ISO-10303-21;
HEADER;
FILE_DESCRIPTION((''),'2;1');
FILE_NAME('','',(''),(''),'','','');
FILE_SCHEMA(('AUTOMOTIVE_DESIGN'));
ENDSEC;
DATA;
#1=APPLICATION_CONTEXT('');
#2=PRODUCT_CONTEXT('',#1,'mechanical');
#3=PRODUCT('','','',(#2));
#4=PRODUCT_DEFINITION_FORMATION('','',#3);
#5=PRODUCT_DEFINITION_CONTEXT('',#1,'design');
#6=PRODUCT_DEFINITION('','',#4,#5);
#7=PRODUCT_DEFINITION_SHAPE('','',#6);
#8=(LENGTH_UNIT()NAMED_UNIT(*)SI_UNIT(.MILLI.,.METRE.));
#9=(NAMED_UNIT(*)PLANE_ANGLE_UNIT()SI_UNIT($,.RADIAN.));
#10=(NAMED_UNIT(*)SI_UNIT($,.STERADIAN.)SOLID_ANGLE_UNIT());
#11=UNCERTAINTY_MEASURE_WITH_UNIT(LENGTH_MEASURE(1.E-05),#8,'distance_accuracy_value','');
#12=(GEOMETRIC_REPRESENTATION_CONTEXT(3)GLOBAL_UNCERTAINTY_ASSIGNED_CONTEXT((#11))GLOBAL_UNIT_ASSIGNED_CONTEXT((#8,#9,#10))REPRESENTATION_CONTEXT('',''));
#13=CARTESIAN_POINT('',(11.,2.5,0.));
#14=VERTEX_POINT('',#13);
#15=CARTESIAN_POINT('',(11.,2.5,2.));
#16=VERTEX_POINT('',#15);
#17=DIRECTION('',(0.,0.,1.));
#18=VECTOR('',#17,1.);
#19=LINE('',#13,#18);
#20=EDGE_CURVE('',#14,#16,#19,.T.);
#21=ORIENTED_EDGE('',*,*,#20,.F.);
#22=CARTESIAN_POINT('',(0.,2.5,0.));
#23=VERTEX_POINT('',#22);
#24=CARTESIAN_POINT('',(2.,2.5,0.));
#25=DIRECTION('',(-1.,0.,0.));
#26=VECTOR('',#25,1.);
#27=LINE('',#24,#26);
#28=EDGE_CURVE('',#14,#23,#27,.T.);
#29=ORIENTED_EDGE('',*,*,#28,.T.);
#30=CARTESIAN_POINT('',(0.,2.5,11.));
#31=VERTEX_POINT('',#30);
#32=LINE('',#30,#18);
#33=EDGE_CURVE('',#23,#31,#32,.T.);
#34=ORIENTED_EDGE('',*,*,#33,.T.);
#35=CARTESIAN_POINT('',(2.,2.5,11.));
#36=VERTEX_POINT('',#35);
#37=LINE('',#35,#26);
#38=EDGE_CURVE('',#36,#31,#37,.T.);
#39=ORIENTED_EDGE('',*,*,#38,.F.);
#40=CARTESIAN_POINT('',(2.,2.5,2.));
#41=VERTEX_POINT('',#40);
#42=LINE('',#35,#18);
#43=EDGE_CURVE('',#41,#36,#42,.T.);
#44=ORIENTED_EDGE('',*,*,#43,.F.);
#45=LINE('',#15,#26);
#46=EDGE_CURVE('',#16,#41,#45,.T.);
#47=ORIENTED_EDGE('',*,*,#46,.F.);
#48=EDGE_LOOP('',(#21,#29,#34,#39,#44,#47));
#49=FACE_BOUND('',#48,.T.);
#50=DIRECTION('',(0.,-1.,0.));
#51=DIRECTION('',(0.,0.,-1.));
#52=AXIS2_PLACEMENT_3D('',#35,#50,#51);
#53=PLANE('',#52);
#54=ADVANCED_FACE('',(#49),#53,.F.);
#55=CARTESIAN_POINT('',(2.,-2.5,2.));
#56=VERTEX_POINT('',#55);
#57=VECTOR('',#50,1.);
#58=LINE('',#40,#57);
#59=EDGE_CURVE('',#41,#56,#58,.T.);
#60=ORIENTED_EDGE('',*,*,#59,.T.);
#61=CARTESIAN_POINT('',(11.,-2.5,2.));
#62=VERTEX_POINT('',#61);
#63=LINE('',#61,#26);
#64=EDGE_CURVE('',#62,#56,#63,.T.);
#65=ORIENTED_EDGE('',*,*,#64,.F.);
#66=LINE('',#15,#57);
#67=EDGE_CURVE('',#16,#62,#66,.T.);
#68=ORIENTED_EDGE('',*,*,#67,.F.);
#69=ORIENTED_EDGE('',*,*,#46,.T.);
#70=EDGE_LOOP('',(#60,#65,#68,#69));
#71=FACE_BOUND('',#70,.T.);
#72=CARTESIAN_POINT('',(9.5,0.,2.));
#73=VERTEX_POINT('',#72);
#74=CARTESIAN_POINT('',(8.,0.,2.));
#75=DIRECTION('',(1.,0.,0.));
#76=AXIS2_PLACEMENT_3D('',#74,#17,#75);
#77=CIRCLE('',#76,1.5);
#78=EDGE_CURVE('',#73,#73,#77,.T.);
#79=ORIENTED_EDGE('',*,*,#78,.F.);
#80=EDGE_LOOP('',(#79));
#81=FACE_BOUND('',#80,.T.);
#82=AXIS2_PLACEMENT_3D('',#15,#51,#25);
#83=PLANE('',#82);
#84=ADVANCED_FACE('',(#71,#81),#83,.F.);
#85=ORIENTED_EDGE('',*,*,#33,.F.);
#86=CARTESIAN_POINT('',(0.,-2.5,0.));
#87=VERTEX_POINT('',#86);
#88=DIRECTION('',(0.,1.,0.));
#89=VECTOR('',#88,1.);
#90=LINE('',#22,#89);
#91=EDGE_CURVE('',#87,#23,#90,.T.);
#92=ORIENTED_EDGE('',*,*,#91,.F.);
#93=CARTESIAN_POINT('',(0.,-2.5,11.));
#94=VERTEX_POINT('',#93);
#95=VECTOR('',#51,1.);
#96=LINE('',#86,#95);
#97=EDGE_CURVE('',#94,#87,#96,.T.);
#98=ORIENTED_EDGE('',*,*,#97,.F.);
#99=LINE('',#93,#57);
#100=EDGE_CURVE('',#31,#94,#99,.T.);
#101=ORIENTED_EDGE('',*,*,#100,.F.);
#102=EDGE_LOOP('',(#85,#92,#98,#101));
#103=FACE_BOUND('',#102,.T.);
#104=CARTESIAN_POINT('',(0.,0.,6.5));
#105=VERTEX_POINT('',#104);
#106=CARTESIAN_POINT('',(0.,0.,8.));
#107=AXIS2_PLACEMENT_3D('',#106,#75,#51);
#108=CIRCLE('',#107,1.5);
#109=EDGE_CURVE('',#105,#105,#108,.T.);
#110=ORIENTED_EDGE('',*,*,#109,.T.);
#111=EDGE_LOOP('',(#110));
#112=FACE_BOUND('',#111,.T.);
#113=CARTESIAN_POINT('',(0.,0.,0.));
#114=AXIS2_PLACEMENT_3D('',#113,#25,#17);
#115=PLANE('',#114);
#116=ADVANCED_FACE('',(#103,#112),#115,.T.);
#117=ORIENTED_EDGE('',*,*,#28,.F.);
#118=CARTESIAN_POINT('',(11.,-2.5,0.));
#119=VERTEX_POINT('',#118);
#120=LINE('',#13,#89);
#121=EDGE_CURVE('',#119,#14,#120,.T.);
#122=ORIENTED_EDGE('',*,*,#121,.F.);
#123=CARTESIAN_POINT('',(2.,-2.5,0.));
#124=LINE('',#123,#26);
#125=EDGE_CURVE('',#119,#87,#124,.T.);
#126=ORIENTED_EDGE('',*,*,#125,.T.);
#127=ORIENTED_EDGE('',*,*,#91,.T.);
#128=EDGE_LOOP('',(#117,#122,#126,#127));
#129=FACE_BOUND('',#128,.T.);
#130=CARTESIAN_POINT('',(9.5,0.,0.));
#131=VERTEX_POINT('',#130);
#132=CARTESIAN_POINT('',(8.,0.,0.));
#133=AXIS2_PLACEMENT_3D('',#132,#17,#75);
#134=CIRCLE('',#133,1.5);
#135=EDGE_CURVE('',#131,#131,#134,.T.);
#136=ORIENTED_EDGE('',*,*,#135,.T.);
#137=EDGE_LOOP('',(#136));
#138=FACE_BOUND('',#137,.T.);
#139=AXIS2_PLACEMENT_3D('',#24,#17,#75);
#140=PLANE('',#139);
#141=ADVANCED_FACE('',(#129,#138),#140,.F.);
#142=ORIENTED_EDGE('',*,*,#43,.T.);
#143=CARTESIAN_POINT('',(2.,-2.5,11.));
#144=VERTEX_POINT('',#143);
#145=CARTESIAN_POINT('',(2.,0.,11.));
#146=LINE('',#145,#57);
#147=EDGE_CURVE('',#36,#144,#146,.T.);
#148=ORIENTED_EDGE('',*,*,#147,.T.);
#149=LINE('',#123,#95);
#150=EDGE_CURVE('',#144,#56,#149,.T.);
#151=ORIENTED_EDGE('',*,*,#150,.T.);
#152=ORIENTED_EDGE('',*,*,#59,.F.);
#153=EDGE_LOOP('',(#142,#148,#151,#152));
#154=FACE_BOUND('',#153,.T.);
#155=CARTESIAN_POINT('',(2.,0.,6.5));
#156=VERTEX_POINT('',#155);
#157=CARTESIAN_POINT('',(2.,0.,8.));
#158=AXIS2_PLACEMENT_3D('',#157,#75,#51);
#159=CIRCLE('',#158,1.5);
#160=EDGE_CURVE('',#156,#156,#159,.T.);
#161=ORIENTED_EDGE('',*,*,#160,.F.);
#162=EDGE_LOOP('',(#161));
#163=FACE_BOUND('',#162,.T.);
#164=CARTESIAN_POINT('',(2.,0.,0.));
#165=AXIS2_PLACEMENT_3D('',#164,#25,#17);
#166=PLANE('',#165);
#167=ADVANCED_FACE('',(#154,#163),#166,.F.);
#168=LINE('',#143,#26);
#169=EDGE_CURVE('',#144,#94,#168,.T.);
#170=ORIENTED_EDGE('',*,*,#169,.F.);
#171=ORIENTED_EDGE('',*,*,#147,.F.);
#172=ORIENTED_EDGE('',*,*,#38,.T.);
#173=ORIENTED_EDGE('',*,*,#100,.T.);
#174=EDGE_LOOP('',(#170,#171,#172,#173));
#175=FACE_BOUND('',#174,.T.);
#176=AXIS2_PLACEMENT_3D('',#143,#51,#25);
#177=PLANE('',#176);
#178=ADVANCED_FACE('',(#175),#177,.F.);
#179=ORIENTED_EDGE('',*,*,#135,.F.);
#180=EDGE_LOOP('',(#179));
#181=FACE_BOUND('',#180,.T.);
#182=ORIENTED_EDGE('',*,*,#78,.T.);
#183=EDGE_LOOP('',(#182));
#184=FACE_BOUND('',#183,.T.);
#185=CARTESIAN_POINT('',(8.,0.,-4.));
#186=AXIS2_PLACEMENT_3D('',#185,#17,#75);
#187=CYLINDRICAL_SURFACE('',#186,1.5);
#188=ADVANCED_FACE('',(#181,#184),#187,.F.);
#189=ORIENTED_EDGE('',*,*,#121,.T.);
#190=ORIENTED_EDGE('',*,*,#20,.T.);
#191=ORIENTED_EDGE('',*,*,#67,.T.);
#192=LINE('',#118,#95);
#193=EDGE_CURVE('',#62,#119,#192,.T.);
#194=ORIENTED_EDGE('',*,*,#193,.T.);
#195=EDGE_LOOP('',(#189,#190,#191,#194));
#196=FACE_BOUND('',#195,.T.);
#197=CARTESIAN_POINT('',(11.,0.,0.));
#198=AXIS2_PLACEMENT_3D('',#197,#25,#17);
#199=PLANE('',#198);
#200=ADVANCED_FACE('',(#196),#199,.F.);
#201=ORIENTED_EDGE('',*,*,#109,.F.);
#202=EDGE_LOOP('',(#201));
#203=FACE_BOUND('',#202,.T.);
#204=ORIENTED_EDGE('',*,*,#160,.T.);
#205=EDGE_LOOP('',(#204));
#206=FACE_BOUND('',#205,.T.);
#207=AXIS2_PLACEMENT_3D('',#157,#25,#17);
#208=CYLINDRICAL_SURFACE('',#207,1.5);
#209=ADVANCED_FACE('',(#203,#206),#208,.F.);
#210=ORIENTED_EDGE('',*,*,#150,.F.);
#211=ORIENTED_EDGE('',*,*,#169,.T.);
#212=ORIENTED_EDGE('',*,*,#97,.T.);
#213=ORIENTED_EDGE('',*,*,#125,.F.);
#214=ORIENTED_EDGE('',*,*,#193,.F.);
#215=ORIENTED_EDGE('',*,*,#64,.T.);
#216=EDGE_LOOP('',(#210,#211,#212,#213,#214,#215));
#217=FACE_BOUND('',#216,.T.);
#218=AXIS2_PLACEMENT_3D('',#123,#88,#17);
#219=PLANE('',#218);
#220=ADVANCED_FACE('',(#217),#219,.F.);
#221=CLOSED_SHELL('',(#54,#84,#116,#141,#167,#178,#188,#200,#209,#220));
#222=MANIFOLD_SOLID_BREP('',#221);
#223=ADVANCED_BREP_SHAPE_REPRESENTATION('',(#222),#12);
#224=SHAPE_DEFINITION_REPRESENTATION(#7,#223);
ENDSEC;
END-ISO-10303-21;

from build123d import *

# Parameters (mm, degrees)
SKETCH_1_R          = 1.5
EXTRUDE_1_DEPTH     = 2
SKETCH_2_W          = 2
SKETCH_2_H          = 5
EXTRUDE_2_DEPTH     = 9
SKETCH_3_R          = 1.5
CUT_EXTRUDE_1_DEPTH = 6


with BuildPart() as part:
    # 草图1 → 凸台-拉伸1 (new body)
    with BuildSketch(Plane(origin=(0, 0, 0), x_dir=(0, 0, -1), z_dir=(1, 0, 0))):
        Polygon((-11, 0), (-11, 2.5), (0, 2.5), (0, 0), (0, -2.5), (-11, -2.5), align=None)
        with Locations((-8, 0)):
            Circle(SKETCH_1_R, mode=Mode.SUBTRACT)
    extrude(amount=EXTRUDE_1_DEPTH)

    # 草图2 → 凸台-拉伸2 (add)
    with BuildSketch(Plane(origin=(2, 0, 0), x_dir=(0, 0, -1), z_dir=(1, 0, 0))):
        with Locations((-1, 0)):
            Rectangle(SKETCH_2_W, SKETCH_2_H)
    extrude(amount=EXTRUDE_2_DEPTH)

    # 草图3 → 切除-拉伸1 (cut)
    with BuildSketch(Plane.XY.offset(2)):
        with Locations((8, 0)):
            Circle(SKETCH_3_R)
    extrude(amount=-CUT_EXTRUDE_1_DEPTH, mode=Mode.SUBTRACT)


solid = part.part
